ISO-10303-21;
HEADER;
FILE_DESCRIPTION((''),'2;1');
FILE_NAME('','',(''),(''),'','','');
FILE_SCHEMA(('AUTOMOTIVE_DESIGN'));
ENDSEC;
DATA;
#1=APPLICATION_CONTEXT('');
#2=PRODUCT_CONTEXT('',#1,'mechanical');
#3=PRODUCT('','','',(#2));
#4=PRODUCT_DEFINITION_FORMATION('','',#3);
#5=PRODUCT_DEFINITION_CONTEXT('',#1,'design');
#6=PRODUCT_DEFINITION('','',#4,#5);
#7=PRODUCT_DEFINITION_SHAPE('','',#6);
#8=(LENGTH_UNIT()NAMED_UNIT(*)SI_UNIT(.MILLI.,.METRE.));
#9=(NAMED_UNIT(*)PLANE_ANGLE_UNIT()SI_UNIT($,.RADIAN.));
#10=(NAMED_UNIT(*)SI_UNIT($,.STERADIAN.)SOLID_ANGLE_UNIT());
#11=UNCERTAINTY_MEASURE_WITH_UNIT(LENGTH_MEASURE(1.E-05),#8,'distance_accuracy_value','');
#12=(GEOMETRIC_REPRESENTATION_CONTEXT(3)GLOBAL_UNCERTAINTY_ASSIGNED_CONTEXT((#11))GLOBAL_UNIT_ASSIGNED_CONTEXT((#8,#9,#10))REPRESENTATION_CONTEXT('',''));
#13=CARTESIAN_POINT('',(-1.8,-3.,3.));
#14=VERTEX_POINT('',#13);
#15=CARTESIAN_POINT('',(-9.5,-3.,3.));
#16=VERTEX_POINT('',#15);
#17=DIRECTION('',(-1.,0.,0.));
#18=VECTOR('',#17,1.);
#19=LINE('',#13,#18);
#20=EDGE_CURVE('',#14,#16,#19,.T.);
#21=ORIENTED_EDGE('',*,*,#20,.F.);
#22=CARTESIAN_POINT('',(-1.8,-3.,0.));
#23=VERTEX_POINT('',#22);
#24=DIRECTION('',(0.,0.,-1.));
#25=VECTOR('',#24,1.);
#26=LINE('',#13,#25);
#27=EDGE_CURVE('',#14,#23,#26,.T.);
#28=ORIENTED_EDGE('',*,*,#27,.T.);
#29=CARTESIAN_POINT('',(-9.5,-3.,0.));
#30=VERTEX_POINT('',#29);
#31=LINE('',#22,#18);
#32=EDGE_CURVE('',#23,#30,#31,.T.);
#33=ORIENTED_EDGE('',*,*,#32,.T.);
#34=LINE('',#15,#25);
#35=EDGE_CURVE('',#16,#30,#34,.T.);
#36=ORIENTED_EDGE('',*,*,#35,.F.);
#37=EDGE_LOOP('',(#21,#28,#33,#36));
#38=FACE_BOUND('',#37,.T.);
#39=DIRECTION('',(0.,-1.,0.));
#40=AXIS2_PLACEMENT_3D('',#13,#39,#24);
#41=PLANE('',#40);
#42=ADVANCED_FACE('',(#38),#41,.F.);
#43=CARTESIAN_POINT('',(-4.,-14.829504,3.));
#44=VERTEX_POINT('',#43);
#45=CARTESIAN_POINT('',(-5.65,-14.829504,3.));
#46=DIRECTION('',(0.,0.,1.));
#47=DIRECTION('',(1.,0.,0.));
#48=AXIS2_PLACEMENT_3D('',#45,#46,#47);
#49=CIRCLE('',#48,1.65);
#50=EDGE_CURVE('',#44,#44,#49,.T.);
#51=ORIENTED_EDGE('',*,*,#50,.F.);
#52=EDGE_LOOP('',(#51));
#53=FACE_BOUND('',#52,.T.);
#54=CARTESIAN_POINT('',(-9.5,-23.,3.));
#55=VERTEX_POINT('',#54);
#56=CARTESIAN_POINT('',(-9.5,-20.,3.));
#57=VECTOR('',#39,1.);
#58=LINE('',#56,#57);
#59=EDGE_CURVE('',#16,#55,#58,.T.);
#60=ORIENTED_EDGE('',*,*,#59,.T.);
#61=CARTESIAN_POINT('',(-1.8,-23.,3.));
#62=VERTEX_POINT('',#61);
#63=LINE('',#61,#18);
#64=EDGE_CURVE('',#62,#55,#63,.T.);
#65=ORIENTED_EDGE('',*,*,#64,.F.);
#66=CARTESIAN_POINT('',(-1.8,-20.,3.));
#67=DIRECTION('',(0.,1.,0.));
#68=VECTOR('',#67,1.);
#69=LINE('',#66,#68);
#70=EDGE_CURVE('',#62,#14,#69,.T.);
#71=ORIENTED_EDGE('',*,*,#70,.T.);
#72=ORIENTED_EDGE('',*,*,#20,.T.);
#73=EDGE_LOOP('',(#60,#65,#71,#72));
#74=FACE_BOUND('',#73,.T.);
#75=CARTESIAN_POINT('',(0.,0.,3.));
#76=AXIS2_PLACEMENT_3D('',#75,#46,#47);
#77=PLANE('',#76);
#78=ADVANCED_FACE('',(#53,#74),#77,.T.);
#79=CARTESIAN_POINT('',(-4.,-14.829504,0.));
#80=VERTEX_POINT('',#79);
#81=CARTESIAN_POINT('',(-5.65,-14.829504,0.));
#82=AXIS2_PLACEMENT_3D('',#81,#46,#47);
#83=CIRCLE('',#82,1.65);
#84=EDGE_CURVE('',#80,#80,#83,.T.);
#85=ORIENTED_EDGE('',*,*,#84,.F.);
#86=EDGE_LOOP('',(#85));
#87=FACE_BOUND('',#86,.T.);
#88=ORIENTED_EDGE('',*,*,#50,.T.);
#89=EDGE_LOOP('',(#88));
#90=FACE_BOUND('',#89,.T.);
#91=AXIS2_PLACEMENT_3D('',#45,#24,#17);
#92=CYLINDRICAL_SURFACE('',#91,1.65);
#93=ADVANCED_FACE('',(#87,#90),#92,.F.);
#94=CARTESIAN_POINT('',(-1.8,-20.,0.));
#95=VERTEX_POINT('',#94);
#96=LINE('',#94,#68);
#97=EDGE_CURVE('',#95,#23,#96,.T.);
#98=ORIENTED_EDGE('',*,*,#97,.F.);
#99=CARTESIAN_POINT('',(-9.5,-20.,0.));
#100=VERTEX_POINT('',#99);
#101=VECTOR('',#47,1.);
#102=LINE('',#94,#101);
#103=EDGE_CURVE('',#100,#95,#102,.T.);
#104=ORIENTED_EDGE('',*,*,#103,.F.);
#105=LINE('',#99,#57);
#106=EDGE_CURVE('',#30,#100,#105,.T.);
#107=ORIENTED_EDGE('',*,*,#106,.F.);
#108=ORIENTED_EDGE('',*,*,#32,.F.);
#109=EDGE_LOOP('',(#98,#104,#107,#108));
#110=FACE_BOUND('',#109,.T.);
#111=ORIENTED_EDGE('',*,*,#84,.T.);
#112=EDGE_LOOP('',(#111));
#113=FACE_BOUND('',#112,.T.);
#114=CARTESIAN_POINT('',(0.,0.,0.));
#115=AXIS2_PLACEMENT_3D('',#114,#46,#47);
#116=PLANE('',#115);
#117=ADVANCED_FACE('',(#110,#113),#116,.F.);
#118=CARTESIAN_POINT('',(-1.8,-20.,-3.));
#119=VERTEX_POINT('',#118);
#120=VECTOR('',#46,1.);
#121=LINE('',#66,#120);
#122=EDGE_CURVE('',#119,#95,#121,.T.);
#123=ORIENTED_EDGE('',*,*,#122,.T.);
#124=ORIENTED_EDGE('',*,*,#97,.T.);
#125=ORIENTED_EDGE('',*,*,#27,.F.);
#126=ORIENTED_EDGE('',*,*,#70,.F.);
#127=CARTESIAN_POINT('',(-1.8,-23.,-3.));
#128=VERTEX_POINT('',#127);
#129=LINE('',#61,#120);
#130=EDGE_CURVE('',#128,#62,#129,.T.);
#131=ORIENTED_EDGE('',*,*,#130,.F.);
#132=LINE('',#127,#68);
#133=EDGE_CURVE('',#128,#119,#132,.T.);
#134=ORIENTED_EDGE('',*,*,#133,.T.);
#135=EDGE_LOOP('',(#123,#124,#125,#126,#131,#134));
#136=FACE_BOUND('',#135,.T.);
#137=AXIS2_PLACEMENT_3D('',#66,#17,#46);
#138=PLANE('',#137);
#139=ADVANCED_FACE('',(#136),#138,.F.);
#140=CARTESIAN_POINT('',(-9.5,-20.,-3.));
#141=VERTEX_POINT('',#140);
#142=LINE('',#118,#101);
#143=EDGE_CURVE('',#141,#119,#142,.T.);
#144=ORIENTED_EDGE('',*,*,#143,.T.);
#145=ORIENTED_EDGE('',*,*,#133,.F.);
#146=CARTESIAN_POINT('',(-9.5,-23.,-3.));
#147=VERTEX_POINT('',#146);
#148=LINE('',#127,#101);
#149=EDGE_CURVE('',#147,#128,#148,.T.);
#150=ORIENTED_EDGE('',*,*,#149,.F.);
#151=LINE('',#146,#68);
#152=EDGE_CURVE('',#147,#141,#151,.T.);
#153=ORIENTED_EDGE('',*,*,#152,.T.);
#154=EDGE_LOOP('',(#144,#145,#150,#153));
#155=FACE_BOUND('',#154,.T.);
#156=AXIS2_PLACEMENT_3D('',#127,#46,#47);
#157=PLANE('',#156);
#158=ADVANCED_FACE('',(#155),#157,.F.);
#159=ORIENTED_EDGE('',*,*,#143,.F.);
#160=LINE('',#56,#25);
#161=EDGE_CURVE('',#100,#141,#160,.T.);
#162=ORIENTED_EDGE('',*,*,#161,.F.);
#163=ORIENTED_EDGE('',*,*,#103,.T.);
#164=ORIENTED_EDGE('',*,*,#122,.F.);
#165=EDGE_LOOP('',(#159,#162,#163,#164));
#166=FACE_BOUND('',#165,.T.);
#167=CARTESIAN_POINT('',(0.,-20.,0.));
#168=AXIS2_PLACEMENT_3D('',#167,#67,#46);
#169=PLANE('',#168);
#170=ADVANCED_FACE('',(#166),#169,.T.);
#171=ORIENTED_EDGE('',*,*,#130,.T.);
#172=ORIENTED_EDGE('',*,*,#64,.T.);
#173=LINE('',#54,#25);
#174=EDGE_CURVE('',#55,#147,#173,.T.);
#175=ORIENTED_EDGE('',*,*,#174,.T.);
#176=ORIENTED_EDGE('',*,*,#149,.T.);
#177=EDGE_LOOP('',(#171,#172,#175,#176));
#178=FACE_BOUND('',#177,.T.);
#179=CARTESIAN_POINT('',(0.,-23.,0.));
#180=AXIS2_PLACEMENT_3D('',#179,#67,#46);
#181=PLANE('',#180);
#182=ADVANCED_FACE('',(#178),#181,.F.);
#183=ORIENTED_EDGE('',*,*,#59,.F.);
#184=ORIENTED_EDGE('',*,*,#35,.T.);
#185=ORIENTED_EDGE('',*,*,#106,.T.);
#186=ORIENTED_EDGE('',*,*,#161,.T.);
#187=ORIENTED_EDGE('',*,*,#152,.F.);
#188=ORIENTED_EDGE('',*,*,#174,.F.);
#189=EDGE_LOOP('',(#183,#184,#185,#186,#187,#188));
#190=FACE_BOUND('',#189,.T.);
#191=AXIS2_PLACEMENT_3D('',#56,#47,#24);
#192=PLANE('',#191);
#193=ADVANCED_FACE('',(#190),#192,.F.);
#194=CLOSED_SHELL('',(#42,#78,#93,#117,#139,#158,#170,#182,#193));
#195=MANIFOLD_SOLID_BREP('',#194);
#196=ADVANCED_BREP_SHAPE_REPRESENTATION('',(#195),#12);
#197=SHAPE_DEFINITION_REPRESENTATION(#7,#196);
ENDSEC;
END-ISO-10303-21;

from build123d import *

# Parameters (mm, degrees)
SKETCH1_W           = 7.7
SKETCH1_H           = 17
SKETCH1_R           = 1.65
BOSS_EXTRUDE1_DEPTH = 3
SKETCH2_W           = 7.7
SKETCH2_H           = 6
BOSS_EXTRUDE2_DEPTH = 3


with BuildPart() as part:
    # Sketch1 → Boss-Extrude1 (new body)
    with BuildSketch(Plane.XY):
        with Locations((-5.65, -11.5)):
            Rectangle(SKETCH1_W, SKETCH1_H)
        with Locations((-5.65, -14.829504021)):
            Circle(SKETCH1_R, mode=Mode.SUBTRACT)
    extrude(amount=BOSS_EXTRUDE1_DEPTH)

    # Sketch2 → Boss-Extrude2 (add)
    with BuildSketch(Plane.XZ.offset(20)):
        with Locations((-5.65, 0)):
            Rectangle(SKETCH2_W, SKETCH2_H)
    extrude(amount=BOSS_EXTRUDE2_DEPTH)


solid = part.part
